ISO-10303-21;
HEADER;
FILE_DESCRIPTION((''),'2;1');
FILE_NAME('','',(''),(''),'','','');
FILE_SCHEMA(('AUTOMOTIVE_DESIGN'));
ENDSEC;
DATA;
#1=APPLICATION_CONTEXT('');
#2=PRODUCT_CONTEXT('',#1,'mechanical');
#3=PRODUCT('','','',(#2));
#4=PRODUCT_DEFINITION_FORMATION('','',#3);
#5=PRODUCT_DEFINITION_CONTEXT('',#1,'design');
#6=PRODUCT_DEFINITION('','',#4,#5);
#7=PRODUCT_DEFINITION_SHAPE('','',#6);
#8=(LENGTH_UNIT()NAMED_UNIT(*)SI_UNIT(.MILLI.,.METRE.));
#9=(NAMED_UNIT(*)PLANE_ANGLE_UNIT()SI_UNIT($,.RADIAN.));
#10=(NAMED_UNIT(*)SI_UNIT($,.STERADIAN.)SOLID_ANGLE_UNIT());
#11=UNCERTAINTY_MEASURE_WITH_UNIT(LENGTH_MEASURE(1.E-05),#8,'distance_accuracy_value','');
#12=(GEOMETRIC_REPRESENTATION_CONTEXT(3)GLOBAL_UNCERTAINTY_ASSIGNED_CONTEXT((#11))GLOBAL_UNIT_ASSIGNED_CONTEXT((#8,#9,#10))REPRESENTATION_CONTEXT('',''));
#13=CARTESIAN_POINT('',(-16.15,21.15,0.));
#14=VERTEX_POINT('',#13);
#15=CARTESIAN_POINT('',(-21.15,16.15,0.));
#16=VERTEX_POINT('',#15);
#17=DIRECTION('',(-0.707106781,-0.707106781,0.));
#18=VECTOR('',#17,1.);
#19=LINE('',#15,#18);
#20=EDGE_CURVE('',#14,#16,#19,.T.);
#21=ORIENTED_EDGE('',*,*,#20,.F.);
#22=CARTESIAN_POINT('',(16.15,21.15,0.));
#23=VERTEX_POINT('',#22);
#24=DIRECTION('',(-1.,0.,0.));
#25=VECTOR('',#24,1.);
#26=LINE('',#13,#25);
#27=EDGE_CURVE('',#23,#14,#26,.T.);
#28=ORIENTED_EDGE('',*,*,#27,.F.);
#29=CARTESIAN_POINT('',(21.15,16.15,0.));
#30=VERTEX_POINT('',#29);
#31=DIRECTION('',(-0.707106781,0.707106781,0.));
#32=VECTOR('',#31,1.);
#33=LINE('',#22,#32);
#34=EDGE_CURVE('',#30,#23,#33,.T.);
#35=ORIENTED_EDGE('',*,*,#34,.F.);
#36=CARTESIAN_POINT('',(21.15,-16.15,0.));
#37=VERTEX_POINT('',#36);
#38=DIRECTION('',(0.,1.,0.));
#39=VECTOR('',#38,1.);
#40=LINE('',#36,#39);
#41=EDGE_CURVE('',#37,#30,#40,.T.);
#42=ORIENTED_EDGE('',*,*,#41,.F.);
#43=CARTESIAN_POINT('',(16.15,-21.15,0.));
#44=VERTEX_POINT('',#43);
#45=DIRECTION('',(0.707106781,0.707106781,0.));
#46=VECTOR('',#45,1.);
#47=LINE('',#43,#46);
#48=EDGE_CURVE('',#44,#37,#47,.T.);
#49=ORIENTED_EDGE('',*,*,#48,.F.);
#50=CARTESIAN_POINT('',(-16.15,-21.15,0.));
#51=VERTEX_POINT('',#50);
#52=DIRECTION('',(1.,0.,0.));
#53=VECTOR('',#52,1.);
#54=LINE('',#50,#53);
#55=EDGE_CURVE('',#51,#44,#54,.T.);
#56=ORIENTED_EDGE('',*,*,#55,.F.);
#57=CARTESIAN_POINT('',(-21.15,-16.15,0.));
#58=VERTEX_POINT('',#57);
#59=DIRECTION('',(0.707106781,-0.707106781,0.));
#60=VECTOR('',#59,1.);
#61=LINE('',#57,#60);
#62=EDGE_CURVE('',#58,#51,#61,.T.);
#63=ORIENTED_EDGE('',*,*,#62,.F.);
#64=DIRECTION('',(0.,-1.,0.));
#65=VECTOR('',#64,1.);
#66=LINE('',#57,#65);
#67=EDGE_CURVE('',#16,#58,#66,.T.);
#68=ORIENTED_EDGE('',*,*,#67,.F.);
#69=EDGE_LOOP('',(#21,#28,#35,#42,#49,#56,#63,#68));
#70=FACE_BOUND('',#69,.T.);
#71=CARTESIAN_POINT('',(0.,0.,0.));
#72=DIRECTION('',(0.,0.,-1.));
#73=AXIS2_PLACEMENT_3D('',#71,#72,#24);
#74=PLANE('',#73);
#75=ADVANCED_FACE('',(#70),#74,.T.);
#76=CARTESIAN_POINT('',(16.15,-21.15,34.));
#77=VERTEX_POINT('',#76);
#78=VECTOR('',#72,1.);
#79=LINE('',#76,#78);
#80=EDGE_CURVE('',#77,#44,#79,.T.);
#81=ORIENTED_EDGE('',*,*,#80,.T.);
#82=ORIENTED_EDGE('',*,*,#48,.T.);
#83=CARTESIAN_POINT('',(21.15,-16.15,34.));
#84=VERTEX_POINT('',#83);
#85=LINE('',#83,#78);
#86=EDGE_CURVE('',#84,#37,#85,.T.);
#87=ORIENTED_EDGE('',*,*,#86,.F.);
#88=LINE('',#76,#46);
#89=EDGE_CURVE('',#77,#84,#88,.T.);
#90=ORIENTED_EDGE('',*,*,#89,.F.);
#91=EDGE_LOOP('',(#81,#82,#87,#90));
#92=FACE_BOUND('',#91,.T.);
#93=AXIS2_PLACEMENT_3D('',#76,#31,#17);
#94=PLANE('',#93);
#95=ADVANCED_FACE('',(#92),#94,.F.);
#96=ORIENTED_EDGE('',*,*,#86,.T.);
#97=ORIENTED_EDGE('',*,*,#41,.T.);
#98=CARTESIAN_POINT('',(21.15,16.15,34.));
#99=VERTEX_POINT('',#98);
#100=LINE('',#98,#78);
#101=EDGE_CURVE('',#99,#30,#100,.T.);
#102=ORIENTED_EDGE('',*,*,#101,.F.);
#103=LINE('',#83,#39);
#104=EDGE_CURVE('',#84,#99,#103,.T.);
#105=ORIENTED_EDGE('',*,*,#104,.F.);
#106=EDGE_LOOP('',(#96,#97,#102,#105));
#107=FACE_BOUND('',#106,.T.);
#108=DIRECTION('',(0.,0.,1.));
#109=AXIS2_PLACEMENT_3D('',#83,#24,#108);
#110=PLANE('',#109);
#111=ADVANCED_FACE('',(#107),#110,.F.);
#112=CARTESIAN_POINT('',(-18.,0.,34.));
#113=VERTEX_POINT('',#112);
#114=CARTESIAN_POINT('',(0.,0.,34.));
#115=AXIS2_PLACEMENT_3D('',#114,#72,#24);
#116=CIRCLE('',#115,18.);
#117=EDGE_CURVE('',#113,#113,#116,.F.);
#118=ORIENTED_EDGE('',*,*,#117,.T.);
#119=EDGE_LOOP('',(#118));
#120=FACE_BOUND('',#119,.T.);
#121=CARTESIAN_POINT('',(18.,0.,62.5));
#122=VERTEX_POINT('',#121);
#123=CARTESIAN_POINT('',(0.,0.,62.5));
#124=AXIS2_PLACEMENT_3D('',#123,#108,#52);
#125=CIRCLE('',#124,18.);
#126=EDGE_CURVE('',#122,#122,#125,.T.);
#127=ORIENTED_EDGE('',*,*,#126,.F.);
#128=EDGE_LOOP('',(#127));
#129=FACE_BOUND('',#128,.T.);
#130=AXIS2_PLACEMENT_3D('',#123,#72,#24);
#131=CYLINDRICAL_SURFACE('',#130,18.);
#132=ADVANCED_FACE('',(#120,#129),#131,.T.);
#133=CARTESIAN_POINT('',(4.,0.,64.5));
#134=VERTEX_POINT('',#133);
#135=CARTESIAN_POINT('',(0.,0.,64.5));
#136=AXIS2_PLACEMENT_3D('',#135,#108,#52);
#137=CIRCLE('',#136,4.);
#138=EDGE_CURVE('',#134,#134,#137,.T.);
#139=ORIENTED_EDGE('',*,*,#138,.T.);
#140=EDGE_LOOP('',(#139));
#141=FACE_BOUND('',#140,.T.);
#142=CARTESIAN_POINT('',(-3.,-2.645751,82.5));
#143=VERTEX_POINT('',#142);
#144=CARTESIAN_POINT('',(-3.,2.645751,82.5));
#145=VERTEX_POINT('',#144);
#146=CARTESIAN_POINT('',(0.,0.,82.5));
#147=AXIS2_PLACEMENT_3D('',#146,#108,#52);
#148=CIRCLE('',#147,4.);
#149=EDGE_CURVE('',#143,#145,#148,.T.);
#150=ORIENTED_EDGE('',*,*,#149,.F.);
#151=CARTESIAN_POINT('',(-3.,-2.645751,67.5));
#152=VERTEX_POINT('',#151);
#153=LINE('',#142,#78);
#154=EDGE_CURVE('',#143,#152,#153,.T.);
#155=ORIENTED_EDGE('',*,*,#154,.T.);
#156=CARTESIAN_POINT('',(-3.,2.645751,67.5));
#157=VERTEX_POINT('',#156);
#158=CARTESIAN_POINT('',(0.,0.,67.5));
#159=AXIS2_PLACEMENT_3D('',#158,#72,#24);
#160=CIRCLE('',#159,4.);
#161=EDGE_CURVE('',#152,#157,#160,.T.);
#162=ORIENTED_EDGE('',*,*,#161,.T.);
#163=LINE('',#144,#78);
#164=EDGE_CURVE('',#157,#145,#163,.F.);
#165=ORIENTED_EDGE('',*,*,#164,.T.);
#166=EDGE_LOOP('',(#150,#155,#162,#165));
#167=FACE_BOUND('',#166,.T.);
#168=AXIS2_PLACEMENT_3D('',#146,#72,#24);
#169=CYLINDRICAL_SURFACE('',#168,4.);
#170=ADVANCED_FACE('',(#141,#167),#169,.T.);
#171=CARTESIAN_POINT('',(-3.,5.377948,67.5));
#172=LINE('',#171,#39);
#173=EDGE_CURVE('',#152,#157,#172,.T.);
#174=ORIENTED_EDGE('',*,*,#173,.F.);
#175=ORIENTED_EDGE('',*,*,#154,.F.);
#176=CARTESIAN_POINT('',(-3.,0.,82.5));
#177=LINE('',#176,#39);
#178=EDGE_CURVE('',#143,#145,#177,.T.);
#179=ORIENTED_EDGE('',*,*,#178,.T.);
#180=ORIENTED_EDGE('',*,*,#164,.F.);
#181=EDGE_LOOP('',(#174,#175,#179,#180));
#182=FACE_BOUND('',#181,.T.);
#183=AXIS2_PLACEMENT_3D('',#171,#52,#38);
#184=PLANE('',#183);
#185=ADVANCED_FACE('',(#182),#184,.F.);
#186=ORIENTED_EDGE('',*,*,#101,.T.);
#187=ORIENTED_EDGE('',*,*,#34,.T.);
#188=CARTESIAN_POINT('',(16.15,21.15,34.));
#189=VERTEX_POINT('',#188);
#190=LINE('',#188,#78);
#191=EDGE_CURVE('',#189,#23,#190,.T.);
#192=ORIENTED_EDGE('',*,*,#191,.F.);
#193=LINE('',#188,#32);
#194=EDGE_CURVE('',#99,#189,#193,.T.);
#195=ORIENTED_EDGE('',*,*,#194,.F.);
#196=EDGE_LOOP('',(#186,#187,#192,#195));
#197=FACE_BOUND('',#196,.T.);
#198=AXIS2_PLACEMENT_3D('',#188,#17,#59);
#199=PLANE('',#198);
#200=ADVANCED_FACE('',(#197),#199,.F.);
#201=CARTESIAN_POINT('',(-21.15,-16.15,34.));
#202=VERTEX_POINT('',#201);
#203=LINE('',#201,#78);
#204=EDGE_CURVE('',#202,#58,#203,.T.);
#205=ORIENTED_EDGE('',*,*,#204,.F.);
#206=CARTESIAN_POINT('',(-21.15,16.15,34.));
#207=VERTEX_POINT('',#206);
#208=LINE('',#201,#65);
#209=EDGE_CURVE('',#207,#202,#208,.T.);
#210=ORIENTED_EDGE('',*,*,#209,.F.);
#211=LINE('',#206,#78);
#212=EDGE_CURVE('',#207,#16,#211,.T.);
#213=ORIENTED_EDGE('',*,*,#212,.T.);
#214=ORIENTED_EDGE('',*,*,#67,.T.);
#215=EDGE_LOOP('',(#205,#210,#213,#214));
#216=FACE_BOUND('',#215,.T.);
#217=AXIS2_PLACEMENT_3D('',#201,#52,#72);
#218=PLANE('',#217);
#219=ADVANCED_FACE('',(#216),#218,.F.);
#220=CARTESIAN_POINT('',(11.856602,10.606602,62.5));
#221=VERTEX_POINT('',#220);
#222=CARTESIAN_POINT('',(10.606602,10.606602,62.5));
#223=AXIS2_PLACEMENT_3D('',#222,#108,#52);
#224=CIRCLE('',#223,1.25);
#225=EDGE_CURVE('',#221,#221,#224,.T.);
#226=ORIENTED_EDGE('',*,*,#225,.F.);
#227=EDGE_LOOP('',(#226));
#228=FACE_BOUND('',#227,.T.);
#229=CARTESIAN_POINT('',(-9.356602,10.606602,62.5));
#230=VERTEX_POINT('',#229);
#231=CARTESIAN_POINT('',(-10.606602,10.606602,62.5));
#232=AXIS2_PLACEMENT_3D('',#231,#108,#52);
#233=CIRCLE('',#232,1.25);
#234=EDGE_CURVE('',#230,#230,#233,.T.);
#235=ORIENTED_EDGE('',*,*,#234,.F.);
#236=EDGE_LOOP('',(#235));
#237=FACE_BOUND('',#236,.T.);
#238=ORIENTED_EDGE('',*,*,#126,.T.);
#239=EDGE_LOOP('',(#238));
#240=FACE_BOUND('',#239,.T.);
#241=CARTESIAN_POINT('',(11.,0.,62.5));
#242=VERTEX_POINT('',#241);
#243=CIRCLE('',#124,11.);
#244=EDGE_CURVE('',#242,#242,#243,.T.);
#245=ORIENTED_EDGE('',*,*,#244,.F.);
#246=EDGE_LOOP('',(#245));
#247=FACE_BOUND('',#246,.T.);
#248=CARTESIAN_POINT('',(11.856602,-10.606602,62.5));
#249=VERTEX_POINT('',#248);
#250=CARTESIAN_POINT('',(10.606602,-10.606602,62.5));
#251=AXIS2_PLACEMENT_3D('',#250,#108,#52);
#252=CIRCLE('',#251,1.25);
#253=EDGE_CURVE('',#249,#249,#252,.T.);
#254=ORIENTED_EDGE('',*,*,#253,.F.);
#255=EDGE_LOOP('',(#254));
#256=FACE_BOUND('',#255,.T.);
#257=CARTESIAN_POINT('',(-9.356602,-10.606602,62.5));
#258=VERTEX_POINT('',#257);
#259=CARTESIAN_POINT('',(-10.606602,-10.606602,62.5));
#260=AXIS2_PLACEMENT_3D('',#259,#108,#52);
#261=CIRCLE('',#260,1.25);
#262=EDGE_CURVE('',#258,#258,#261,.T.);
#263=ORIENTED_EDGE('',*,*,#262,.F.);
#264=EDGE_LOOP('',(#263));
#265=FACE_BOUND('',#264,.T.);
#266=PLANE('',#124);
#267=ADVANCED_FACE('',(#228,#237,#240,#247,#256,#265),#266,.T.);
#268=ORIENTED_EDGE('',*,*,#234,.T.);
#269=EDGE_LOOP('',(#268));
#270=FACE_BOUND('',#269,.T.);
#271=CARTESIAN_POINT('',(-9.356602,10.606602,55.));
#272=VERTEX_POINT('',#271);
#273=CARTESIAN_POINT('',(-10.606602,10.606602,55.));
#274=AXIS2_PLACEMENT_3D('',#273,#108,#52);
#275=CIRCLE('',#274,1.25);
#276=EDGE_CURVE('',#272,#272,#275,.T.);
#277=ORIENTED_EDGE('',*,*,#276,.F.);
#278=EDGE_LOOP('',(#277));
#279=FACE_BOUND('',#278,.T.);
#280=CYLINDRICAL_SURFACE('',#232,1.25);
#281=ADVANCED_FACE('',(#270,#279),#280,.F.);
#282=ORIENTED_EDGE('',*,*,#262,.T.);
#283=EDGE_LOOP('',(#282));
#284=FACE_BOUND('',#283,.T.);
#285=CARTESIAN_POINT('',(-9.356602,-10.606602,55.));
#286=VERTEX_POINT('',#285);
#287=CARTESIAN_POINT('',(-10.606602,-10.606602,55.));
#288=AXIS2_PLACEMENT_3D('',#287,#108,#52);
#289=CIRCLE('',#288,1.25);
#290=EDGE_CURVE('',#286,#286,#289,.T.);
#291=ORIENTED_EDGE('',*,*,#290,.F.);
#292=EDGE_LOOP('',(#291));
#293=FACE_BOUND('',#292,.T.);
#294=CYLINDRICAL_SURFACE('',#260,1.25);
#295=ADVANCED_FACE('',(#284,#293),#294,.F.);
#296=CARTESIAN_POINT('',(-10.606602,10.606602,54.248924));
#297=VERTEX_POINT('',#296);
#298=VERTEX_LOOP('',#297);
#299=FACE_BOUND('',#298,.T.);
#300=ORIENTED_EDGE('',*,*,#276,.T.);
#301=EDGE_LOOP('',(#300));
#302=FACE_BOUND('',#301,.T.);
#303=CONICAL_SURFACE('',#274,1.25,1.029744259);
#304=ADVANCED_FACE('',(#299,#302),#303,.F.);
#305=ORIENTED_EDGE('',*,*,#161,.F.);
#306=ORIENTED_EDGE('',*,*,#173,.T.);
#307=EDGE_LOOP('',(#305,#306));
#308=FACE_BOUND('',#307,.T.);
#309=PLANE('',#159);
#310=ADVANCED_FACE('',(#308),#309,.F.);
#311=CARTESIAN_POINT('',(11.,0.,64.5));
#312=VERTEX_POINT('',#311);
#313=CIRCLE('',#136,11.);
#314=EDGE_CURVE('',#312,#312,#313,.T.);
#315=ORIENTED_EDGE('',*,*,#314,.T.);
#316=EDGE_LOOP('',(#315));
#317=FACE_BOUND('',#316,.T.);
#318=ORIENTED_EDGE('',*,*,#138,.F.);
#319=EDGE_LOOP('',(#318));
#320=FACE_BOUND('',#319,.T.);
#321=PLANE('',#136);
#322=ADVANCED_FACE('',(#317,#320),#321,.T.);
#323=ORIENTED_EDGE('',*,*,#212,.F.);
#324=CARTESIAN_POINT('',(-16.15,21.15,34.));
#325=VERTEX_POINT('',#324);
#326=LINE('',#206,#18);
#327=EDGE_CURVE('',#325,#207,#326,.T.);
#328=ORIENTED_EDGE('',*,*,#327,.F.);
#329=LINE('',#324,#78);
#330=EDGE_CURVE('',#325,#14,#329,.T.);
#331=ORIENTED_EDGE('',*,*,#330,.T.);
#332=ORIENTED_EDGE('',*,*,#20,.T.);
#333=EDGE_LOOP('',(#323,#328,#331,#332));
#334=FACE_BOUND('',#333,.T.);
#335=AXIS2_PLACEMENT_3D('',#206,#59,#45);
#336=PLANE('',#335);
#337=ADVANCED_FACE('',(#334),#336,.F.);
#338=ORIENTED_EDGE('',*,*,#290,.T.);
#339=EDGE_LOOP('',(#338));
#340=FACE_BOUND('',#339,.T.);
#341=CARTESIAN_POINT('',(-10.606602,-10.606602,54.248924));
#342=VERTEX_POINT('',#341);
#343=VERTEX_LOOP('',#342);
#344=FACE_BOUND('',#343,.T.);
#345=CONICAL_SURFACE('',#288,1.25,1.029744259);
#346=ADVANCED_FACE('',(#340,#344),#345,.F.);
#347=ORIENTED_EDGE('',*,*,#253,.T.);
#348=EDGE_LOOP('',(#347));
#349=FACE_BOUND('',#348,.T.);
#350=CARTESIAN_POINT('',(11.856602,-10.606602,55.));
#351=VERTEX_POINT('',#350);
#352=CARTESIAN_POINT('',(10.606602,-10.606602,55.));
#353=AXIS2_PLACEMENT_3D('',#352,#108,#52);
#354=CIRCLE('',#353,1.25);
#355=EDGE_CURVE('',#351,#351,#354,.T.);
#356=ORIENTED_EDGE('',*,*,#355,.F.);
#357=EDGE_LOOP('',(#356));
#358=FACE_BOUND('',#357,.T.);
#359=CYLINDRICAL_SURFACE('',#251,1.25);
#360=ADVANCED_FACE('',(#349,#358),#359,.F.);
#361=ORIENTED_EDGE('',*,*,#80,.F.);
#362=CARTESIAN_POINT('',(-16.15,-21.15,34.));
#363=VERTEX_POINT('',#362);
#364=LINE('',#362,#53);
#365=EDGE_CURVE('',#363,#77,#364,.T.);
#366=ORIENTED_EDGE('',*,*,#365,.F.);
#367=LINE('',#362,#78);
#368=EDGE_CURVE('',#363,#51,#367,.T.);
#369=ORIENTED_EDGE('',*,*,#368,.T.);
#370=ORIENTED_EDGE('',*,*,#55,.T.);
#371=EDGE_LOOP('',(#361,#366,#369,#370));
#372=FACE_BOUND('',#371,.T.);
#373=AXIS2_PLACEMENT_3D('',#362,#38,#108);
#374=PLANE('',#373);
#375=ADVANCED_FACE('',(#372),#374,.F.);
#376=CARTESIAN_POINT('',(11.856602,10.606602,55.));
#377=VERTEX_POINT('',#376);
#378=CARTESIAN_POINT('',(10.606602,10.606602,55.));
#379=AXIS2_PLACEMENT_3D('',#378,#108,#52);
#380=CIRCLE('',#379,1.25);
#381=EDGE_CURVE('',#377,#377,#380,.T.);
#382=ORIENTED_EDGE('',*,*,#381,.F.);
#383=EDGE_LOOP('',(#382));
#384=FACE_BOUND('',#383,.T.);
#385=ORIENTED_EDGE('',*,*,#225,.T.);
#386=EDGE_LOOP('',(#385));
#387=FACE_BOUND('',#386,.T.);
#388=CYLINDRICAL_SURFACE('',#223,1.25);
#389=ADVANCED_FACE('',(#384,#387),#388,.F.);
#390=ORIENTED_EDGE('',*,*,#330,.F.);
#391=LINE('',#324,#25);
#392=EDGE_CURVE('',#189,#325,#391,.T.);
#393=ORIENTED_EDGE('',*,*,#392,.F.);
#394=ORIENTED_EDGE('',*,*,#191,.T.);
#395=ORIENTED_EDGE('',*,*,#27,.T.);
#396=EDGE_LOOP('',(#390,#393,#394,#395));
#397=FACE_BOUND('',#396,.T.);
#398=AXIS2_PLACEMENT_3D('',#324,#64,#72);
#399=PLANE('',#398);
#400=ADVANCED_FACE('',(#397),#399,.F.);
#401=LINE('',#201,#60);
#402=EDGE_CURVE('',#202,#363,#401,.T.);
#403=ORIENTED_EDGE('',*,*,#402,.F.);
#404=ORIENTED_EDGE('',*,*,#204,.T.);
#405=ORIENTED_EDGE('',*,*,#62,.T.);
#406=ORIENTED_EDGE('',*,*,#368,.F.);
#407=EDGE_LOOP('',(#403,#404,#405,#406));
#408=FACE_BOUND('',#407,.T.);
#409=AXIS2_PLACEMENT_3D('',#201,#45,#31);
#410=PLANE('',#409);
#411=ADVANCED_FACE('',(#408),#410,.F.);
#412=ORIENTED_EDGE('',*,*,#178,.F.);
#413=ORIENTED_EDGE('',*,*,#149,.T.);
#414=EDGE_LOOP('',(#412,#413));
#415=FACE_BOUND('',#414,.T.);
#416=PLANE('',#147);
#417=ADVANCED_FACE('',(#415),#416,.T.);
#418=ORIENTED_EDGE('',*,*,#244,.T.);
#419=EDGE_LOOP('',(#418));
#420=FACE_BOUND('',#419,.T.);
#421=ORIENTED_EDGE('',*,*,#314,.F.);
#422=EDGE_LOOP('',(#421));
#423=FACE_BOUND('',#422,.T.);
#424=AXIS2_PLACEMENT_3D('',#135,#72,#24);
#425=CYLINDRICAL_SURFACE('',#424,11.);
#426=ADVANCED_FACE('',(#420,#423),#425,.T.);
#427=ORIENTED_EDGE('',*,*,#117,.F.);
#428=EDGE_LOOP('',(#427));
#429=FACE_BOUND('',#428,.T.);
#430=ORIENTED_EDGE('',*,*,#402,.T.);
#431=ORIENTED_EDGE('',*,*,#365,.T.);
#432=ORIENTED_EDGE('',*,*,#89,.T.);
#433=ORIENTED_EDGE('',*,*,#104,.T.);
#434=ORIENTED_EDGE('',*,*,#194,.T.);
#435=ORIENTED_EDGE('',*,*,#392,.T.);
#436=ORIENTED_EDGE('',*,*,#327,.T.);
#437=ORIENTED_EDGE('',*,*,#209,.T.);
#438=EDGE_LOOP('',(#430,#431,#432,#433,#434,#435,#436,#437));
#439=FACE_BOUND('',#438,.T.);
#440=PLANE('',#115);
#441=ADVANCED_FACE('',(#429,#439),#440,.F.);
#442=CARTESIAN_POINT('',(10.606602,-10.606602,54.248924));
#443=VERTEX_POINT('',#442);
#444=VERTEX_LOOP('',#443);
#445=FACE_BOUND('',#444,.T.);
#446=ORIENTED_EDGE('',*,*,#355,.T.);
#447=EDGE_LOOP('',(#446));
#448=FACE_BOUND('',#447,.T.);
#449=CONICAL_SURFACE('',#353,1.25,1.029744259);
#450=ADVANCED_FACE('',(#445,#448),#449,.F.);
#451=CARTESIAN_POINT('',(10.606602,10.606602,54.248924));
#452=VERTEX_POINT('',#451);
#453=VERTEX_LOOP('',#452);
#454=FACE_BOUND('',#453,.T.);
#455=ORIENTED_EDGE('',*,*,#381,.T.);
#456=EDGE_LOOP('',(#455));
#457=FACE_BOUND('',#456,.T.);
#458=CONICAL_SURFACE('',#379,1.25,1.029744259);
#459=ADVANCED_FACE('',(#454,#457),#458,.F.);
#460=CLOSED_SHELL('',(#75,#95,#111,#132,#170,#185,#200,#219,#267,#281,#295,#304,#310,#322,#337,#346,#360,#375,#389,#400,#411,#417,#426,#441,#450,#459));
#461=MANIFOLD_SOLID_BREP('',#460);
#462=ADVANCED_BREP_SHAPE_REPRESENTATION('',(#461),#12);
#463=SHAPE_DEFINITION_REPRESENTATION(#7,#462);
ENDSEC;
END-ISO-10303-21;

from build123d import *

# Parameters (mm, degrees)
EXTRUDE_1_DEPTH        = 34
SKETCH_2_R             = 18
EXTRUDE_2_DEPTH        = 28.5
SKETCH_3_R             = 11
EXTRUDE_3_DEPTH        = 2
SKETCH_4_R             = 4
EXTRUDE_4_DEPTH        = 18
SKETCH_5_W             = 8.09428643
SKETCH_5_H             = 13.450799509
CUT_EXTRUDE_1_DEPTH    = 15
SKETCH_6_R             = 1
CUT_EXTRUDE_2_DEPTH    = 5
HOLE_WIZARD_M3_1_D     = 2.5
HOLE_WIZARD_M3_1_DEPTH = 7.5
HOLE_WIZARD_M3_1_TIP   = 0.751075774


with BuildPart() as part:
    # 草图1 → 凸台-拉伸1 (new body)
    with BuildSketch(Plane.XY):
        Polygon((-21.15, 16.15), (-16.15, 21.15), (16.15, 21.15), (21.15, 16.15), (21.15, -16.15), (16.15, -21.15), (-16.15, -21.15), (-21.15, -16.15), align=None)
    extrude(amount=EXTRUDE_1_DEPTH)

    # 草图2 → 凸台-拉伸2 (add)
    with BuildSketch(Plane.XY.offset(34)):
        Circle(SKETCH_2_R)
    extrude(amount=EXTRUDE_2_DEPTH)

    # 草图3 → 凸台-拉伸3 (add)
    with BuildSketch(Plane.XY.offset(62.5)):
        Circle(SKETCH_3_R)
    extrude(amount=EXTRUDE_3_DEPTH)

    # 草图4 → 凸台-拉伸4 (add)
    with BuildSketch(Plane.XY.offset(64.5)):
        Circle(SKETCH_4_R)
    extrude(amount=EXTRUDE_4_DEPTH)

    # 草图5 → 切除-拉伸1 (cut)
    with BuildSketch(Plane.XY.offset(82.5)):
        with Locations((-7.047143215, -1.347451383)):
            Rectangle(SKETCH_5_W, SKETCH_5_H)
    extrude(amount=-CUT_EXTRUDE_1_DEPTH, mode=Mode.SUBTRACT)

    # 草图6 → 切除-拉伸2 (cut)
    with BuildSketch(Plane.XY.offset(62.5)):
        with Locations((-10.606601718, 10.606601718)):
            Circle(SKETCH_6_R)
        with Locations((10.606601718, 10.606601718)):
            Circle(SKETCH_6_R)
        with Locations((-10.606601718, -10.606601718)):
            Circle(SKETCH_6_R)
        with Locations((10.606601718, -10.606601718)):
            Circle(SKETCH_6_R)
    extrude(amount=-CUT_EXTRUDE_2_DEPTH, mode=Mode.SUBTRACT)

    # M3 螺纹孔1
    with Locations(Plane.XY.offset(62.5)):
        with Locations((-10.606601718, 10.606601718), (10.606601718, 10.606601718), (-10.606601718, -10.606601718), (10.606601718, -10.606601718)):
            Hole(HOLE_WIZARD_M3_1_D / 2, depth=HOLE_WIZARD_M3_1_DEPTH)
            with Locations((0, 0, -(HOLE_WIZARD_M3_1_DEPTH + HOLE_WIZARD_M3_1_TIP / 2))):  # 118° drill point
                Cone(0, HOLE_WIZARD_M3_1_D / 2, HOLE_WIZARD_M3_1_TIP, mode=Mode.SUBTRACT)


solid = part.part
